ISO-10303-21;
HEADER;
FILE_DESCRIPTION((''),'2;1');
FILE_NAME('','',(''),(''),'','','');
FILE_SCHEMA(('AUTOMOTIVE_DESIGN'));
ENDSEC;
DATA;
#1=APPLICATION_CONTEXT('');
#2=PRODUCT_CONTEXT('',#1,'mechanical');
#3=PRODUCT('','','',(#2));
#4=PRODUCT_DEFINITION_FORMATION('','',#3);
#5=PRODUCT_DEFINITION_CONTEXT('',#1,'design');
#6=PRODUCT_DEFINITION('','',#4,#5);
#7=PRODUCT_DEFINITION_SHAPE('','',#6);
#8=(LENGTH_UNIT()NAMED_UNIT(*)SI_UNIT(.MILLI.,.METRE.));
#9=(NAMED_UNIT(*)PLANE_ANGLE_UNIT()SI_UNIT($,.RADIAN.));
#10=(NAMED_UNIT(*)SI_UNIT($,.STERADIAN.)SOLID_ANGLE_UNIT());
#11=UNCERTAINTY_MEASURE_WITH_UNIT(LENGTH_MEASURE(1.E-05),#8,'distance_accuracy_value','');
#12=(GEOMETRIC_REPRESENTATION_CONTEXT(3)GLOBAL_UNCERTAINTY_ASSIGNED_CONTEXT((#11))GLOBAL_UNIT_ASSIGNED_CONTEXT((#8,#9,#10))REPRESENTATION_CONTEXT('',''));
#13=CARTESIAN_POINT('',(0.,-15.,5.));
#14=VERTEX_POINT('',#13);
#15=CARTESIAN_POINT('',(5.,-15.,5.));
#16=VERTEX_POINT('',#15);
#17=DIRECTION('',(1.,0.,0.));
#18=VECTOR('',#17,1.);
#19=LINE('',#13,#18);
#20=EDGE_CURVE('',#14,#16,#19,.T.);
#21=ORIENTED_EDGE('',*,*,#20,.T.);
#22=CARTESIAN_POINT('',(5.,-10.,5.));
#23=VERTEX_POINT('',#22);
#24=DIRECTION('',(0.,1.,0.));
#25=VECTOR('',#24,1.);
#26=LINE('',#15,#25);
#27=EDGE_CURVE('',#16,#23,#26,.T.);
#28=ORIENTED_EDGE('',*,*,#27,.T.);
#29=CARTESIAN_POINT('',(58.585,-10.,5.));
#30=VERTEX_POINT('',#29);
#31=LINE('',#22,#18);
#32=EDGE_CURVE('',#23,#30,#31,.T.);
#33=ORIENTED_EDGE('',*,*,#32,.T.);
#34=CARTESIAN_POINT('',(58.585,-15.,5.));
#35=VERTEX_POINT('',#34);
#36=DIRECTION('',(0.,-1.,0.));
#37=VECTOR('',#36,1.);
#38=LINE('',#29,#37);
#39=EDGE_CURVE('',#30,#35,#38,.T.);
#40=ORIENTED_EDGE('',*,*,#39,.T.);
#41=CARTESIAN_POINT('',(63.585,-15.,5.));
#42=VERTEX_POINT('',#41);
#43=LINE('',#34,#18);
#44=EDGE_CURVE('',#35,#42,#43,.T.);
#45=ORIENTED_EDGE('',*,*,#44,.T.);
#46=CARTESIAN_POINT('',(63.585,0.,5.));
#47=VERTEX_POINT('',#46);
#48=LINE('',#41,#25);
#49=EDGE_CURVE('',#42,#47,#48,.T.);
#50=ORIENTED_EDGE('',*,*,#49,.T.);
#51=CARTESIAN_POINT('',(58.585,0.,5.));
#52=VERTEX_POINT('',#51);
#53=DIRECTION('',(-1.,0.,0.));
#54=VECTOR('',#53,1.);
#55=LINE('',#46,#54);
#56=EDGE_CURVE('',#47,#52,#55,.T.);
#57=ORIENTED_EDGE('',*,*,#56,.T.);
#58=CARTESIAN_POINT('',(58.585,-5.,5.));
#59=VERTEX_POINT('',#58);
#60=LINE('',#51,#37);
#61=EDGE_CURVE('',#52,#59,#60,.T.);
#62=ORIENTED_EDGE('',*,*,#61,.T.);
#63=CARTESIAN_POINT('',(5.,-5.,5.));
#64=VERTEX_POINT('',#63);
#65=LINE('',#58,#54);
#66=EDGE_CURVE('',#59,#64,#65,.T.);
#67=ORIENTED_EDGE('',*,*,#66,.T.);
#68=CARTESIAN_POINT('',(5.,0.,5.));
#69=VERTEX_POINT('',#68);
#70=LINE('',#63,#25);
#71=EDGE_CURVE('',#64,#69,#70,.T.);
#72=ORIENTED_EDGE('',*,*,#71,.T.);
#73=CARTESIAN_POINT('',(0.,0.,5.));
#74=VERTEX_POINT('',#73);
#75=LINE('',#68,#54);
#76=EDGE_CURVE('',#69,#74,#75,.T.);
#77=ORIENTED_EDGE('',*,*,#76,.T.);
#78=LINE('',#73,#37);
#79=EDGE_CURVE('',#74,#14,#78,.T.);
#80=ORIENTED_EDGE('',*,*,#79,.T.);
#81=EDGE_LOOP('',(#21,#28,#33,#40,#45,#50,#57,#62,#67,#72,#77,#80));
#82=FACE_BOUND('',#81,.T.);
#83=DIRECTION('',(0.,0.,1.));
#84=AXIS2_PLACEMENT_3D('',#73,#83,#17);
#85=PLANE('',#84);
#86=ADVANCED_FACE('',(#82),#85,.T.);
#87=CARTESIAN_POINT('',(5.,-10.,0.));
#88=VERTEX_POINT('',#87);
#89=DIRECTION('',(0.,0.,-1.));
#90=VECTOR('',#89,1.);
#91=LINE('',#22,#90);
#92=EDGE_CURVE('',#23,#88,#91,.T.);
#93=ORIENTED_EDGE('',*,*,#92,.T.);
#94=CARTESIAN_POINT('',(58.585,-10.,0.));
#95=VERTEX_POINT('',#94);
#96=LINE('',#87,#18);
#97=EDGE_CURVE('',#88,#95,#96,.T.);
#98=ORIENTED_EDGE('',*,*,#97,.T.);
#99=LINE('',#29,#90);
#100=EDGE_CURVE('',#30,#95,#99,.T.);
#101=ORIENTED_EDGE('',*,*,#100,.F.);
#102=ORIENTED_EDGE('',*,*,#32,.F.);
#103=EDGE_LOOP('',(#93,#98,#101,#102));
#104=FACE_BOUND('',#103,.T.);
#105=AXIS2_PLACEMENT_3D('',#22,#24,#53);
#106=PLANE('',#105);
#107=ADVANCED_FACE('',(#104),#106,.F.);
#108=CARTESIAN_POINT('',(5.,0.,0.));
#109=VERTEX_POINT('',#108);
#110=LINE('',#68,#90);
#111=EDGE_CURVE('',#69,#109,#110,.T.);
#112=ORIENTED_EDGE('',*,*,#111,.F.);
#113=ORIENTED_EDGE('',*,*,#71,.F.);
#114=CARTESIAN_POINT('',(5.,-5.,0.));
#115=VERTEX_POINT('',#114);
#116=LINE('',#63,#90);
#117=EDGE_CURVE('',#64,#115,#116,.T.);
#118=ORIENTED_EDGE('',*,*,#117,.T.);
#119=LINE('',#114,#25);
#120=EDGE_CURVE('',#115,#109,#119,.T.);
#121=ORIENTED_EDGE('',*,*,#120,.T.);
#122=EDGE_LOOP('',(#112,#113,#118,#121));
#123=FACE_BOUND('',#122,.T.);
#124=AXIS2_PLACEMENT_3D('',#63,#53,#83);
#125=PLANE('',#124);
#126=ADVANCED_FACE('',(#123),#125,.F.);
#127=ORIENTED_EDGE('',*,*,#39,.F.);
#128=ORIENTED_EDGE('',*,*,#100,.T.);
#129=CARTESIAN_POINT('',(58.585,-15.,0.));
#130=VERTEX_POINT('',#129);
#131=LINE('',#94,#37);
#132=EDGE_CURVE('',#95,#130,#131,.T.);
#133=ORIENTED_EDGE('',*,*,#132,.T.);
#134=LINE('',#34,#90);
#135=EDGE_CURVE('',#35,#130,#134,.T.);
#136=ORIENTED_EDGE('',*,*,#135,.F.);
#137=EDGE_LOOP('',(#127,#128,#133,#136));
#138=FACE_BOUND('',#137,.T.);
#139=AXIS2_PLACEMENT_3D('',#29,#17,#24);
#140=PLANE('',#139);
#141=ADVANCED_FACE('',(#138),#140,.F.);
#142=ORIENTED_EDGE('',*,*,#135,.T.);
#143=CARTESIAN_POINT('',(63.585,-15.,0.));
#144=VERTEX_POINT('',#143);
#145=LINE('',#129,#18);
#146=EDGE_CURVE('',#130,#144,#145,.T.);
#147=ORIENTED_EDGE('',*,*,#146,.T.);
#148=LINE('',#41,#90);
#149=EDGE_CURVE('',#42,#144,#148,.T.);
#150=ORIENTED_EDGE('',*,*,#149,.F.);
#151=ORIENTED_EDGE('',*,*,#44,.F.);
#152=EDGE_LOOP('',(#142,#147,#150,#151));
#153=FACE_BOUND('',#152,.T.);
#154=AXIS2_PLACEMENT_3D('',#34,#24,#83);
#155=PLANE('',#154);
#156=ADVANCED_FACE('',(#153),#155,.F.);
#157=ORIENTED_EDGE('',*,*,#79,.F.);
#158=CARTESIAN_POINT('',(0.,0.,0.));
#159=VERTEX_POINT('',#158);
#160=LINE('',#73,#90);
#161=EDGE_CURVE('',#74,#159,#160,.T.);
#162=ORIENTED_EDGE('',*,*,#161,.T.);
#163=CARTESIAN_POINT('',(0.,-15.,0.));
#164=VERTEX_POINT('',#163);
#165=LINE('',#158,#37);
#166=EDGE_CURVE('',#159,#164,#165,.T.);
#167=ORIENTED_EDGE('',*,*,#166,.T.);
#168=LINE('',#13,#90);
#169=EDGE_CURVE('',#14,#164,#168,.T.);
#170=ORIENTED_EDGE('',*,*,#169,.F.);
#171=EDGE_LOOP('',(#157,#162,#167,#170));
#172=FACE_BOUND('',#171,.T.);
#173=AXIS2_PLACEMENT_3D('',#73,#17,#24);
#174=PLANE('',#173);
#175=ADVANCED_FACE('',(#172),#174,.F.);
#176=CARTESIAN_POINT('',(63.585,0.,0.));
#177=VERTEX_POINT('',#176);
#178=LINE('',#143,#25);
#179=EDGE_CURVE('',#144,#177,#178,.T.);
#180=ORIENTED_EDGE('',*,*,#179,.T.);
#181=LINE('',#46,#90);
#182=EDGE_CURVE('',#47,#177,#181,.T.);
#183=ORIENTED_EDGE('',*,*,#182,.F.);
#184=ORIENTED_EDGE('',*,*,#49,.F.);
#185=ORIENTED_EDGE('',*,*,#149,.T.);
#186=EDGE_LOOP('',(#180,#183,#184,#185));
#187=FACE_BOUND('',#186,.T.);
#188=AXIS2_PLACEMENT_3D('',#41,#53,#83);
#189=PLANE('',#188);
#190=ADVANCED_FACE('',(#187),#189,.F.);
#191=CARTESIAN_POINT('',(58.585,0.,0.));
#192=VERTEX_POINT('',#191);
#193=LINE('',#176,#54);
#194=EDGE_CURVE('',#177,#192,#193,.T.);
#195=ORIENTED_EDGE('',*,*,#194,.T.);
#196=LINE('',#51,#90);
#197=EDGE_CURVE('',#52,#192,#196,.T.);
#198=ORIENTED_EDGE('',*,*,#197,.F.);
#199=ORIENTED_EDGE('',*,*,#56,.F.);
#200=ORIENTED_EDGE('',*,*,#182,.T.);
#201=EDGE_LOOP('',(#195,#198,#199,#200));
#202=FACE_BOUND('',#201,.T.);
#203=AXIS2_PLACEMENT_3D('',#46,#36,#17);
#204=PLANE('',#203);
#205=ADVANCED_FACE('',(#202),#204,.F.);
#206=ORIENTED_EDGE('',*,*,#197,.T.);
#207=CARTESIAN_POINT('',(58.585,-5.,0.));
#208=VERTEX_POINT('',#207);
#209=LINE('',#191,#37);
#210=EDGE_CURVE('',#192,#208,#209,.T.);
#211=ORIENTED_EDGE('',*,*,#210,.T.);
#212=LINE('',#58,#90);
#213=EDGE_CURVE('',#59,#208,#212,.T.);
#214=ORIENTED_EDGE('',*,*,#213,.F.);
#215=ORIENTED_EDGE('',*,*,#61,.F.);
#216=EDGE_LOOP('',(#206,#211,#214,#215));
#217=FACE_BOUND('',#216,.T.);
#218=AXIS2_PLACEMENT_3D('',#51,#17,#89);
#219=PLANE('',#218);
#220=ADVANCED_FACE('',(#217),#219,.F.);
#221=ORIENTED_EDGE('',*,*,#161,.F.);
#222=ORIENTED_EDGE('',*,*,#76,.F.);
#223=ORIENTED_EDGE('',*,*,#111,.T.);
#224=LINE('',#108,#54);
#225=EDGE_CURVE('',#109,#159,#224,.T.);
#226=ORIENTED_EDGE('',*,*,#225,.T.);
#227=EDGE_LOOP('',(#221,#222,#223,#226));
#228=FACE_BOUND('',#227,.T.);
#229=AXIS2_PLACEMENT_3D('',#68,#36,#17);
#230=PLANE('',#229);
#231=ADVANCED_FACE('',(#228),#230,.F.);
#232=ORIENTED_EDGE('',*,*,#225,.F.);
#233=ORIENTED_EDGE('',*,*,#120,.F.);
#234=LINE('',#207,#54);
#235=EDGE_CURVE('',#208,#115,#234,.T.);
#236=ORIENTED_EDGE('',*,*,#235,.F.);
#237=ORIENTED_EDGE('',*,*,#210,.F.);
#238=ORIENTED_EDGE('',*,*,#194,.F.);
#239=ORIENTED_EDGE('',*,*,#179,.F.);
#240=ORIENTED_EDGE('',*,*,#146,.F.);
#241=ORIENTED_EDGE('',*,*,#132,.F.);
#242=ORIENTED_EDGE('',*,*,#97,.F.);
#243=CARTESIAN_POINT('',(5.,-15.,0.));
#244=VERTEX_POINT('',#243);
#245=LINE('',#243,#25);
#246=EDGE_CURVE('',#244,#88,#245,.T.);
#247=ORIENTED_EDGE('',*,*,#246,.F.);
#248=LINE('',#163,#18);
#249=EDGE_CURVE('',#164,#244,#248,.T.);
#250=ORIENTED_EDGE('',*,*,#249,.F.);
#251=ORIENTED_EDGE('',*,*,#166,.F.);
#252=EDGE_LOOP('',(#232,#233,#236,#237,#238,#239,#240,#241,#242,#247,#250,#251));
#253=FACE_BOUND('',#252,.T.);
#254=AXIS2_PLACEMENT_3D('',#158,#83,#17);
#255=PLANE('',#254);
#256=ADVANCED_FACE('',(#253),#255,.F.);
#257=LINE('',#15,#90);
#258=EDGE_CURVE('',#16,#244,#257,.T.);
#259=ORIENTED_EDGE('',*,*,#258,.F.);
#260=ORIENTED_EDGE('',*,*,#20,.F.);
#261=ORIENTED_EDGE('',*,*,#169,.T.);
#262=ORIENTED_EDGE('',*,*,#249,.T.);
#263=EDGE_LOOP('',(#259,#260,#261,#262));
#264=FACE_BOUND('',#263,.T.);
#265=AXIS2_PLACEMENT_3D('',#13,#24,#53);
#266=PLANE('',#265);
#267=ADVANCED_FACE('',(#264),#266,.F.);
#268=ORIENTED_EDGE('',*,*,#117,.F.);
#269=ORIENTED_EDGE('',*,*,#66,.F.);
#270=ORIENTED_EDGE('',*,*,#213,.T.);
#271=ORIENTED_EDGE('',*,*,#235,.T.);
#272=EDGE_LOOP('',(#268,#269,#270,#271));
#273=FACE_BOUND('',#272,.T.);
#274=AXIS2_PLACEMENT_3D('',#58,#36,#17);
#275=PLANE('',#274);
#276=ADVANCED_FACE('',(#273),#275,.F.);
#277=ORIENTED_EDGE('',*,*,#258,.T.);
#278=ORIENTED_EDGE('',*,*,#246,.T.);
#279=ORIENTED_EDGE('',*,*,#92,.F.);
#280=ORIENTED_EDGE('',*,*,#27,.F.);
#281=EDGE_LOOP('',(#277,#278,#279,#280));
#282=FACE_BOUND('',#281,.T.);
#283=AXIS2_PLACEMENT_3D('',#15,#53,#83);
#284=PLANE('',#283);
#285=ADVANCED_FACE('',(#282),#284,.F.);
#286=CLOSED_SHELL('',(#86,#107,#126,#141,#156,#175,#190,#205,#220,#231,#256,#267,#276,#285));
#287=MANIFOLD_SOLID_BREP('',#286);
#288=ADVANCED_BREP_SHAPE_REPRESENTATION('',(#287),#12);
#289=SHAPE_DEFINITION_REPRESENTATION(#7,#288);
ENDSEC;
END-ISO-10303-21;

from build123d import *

# Parameters (mm, degrees)
BOSS_EXTRUDE1_DEPTH = 5


with BuildPart() as part:
    # Sketch1 → Boss-Extrude1 (new body)
    with BuildSketch(Plane.XY):
        Polygon((0, 0), (0, -15), (5, -15), (5, -10), (58.585, -10), (58.585, -15), (63.585, -15), (63.585, 0), (58.585, 0), (58.585, -5), (5, -5), (5, 0), align=None)
    extrude(amount=BOSS_EXTRUDE1_DEPTH)


solid = part.part
